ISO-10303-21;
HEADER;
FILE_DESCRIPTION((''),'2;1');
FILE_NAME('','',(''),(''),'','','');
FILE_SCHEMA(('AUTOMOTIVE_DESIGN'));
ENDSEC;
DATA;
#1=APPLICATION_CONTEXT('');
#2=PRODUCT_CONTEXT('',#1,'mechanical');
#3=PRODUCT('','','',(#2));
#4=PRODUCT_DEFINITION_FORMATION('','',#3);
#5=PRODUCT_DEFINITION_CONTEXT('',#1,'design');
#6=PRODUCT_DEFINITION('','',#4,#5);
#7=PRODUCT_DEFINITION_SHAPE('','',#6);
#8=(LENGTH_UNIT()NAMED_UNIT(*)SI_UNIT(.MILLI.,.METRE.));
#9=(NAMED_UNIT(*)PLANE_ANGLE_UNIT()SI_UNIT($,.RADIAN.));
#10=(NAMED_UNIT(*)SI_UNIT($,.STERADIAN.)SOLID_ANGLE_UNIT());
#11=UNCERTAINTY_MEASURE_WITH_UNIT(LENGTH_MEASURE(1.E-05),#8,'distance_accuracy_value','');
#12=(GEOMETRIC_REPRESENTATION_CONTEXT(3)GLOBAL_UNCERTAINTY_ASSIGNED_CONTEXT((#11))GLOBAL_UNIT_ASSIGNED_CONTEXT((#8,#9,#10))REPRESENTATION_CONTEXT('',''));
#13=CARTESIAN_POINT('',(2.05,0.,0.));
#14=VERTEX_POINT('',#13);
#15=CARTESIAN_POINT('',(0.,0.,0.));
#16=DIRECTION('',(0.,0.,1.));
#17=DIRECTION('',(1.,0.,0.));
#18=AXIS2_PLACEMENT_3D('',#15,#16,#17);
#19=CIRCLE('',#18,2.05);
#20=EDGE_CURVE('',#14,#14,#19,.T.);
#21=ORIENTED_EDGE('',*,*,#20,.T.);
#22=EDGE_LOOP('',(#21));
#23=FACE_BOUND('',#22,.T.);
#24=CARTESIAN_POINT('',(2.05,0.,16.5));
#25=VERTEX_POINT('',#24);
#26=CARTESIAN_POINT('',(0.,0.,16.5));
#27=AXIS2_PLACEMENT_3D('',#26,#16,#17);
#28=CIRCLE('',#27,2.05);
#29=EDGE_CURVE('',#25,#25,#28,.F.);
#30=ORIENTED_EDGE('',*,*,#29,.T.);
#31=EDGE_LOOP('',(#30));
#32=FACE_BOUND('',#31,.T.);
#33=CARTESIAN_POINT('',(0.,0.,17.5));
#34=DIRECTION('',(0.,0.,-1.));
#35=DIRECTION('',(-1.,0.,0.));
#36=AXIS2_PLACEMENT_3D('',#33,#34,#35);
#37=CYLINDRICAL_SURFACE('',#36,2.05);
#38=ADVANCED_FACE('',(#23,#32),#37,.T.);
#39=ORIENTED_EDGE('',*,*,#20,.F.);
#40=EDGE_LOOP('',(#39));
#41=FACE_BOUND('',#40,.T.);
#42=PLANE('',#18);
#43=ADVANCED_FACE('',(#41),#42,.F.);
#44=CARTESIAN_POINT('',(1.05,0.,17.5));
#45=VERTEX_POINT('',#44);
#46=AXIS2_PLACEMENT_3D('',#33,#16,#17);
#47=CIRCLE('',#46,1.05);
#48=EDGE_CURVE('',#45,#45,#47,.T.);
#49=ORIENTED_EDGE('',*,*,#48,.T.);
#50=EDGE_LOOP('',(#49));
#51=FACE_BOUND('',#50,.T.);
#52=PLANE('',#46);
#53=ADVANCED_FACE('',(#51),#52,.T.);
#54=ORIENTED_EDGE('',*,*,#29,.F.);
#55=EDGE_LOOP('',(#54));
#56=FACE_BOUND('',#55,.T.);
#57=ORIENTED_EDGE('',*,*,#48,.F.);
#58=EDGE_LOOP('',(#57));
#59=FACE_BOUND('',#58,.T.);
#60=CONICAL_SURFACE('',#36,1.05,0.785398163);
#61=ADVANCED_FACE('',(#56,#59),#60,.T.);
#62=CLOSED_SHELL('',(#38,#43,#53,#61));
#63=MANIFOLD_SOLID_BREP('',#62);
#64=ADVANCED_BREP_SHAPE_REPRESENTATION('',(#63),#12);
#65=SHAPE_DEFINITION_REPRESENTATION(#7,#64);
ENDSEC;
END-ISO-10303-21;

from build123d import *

# Parameters (mm, degrees)
SCHIZZO1_R                   = 2.05
ESTRUSIONE_ESTRUSIONE1_DEPTH = 17.5
SMUSSO1_SIZE                 = 1


with BuildPart() as part:
    # Schizzo1 → Estrusione-Estrusione1 (new body)
    with BuildSketch(Plane.XY):
        Circle(SCHIZZO1_R)
    extrude(amount=ESTRUSIONE_ESTRUSIONE1_DEPTH)

    # Smusso1
    smusso1_edges = [part.edges().sort_by_distance(p)[0] for p in [
        (-2.05, 0, 17.5),
    ]]
    chamfer(smusso1_edges, length=SMUSSO1_SIZE)


solid = part.part
